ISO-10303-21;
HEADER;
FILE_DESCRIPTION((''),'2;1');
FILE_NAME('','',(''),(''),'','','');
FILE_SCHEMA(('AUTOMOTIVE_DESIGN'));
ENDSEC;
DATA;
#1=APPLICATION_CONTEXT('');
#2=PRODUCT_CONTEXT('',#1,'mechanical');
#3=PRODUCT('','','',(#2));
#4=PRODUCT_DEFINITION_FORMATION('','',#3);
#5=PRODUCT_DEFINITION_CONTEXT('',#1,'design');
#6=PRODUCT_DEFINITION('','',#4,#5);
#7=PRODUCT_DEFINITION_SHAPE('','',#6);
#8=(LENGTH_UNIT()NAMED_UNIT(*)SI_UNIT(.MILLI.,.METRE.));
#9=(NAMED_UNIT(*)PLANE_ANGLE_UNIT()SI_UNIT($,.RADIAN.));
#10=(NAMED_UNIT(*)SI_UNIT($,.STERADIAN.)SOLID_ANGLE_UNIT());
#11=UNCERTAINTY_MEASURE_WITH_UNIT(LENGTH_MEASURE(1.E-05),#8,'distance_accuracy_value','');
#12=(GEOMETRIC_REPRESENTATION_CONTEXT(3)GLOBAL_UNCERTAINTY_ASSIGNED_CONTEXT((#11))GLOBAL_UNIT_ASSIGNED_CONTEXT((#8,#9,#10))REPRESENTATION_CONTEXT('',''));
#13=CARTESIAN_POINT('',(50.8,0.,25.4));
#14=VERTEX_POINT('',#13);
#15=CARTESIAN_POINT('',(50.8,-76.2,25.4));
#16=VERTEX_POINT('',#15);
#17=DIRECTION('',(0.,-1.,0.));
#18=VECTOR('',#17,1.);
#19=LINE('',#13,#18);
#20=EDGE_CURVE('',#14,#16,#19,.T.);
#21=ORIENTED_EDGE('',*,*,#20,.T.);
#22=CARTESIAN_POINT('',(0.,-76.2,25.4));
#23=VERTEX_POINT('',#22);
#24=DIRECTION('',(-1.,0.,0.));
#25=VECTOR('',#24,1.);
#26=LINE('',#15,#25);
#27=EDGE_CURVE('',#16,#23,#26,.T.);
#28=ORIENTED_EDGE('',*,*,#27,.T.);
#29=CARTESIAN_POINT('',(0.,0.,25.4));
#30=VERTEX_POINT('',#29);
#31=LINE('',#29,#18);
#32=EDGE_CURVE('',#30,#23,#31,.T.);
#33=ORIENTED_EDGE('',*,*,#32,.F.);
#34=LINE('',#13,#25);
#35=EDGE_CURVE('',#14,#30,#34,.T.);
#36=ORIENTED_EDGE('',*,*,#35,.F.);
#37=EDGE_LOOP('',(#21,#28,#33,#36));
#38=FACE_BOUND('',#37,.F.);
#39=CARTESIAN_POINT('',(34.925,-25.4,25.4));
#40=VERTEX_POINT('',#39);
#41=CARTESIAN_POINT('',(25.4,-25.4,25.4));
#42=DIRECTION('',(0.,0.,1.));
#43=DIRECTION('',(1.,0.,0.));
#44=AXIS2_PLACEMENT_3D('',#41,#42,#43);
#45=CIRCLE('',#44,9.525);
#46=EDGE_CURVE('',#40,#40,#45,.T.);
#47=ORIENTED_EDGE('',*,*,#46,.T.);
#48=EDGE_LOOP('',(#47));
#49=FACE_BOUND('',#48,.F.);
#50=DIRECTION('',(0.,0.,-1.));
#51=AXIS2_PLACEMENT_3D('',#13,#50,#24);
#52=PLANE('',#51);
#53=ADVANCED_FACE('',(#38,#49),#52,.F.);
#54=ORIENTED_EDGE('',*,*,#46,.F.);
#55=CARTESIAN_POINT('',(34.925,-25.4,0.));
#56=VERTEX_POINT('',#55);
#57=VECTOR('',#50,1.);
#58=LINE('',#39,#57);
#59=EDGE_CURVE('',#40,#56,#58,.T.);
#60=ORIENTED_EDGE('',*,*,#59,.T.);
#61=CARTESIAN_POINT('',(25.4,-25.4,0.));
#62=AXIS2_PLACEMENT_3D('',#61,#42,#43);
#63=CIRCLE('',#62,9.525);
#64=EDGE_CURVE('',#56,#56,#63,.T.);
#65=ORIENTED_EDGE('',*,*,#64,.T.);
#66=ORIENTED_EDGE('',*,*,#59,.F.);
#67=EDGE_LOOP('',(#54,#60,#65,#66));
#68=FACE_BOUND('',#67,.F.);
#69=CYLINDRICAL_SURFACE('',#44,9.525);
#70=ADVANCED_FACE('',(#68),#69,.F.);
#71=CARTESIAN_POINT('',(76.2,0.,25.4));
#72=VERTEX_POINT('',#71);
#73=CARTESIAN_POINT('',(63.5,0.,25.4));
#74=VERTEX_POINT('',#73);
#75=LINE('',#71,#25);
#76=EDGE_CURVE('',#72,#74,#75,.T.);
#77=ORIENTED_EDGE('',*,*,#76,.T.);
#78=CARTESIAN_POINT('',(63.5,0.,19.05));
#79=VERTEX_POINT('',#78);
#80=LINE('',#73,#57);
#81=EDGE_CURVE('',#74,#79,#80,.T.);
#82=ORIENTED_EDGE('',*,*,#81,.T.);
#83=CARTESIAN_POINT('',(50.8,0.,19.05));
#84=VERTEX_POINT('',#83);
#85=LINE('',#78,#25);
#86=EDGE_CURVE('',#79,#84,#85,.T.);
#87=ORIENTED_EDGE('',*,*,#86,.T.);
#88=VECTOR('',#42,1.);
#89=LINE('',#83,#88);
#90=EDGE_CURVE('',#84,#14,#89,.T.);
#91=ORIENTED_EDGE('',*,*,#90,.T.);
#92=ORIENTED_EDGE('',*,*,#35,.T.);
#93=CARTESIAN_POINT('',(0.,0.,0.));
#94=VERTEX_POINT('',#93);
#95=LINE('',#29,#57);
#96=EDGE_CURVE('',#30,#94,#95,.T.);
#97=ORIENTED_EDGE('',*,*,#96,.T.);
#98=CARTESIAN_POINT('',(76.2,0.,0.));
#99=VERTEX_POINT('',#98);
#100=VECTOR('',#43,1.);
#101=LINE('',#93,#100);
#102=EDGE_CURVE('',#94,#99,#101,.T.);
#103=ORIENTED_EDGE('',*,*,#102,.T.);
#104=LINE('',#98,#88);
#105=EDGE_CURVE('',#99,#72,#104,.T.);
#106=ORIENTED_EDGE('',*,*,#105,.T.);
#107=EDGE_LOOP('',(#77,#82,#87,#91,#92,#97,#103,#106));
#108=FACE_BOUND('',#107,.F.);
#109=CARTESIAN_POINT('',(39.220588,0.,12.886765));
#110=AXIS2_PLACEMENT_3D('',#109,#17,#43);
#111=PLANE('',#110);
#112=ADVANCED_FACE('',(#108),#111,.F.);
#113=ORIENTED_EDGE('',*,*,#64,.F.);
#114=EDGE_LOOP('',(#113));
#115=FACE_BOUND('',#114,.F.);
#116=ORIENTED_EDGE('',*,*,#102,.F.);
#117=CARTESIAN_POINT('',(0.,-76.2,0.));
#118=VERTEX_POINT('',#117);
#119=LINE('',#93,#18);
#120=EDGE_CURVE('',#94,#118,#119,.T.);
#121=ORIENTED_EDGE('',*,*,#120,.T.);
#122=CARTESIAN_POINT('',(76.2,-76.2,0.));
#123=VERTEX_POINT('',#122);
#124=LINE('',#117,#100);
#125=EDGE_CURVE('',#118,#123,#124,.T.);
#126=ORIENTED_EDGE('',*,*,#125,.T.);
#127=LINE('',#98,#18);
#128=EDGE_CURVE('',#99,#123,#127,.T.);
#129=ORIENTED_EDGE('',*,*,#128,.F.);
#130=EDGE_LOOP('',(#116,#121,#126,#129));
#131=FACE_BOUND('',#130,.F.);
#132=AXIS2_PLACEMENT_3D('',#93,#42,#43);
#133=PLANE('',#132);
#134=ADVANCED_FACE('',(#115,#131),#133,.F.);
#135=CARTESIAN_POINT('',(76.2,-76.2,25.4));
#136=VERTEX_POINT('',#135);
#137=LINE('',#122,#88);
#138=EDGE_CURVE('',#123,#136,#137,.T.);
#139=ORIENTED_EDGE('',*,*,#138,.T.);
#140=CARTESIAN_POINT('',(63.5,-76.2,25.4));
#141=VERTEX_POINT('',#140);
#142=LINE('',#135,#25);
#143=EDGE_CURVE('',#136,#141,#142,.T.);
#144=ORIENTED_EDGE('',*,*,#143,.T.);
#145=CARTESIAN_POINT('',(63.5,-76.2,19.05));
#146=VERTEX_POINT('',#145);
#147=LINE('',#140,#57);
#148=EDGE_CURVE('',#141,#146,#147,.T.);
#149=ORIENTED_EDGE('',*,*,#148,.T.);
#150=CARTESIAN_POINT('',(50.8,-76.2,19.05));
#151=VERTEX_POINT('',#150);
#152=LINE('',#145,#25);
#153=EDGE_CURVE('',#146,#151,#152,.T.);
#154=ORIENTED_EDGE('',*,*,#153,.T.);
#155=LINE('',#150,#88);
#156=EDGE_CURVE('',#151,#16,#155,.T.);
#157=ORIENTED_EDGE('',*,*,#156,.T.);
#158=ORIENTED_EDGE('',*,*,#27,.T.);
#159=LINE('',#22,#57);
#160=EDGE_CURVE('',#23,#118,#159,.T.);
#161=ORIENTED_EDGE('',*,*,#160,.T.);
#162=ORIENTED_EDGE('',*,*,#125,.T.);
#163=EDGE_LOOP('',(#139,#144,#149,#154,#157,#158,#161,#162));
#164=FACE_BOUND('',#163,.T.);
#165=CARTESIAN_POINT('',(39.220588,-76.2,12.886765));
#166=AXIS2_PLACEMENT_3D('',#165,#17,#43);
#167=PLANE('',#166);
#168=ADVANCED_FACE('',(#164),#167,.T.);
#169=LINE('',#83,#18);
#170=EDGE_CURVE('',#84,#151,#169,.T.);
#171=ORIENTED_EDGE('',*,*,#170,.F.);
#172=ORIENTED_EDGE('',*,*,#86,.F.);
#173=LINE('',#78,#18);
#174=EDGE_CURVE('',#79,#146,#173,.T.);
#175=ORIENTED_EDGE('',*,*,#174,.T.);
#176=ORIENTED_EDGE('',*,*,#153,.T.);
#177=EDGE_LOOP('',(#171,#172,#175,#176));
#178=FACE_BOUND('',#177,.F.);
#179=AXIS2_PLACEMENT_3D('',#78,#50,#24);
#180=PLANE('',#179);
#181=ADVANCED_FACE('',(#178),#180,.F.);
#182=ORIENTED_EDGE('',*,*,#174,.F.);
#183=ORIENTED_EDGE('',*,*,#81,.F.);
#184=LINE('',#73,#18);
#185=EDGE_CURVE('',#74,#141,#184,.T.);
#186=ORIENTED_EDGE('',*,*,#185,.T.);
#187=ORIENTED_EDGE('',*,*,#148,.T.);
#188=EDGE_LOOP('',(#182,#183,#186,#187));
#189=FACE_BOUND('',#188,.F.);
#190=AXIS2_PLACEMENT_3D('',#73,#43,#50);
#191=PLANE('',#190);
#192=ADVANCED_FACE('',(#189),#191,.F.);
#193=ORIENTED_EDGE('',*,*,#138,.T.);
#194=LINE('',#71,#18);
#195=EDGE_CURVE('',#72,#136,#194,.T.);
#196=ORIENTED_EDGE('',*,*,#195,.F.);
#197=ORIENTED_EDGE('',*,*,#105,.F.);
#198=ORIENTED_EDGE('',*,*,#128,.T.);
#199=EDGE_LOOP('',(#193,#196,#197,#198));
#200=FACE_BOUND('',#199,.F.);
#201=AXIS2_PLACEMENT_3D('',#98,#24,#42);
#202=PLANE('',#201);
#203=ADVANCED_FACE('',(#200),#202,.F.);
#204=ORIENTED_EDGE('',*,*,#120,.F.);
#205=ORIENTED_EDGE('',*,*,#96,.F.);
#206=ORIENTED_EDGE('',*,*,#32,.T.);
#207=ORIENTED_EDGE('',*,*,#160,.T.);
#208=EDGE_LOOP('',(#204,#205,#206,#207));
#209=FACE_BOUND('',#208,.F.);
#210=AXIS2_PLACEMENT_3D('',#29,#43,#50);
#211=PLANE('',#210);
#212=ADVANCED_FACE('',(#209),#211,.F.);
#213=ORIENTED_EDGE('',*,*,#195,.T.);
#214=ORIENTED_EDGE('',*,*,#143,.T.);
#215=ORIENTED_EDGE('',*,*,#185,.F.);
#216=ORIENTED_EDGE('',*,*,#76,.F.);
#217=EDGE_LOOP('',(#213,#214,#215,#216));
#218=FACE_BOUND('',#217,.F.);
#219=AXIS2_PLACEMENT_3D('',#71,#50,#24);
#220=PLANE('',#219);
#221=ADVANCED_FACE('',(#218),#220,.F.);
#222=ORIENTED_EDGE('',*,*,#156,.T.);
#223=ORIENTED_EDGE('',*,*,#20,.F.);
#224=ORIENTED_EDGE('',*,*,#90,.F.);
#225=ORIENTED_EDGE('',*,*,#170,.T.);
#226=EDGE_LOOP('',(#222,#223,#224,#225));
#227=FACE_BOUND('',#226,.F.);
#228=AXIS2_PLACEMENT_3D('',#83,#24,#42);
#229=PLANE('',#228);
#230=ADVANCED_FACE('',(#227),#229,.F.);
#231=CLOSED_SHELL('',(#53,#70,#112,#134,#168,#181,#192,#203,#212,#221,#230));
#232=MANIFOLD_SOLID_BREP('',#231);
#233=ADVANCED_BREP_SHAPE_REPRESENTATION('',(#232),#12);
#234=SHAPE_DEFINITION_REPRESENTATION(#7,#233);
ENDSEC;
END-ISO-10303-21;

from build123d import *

# Parameters (mm, degrees)
F1_DEPTH = 76.2
F2_R     = 9.525
F3_DEPTH = 25.401


with BuildPart() as f1:
    # F0 (on Front) → F1 (new body)
    with BuildSketch(Plane.XZ):
        Polygon((0, 25.4), (0, 0), (76.2, 0), (76.2, 25.4), (63.5, 25.4), (63.5, 19.05), (50.8, 19.05), (50.8, 25.4), align=None)
    extrude(amount=F1_DEPTH)

    # F2 (on face) → F3 (cut, through all)
    with BuildSketch(Plane.XY.offset(25.4)):
        with Locations((25.4, -25.4)):
            Circle(F2_R)
    extrude(amount=-F3_DEPTH, mode=Mode.SUBTRACT)


solid = f1.part
